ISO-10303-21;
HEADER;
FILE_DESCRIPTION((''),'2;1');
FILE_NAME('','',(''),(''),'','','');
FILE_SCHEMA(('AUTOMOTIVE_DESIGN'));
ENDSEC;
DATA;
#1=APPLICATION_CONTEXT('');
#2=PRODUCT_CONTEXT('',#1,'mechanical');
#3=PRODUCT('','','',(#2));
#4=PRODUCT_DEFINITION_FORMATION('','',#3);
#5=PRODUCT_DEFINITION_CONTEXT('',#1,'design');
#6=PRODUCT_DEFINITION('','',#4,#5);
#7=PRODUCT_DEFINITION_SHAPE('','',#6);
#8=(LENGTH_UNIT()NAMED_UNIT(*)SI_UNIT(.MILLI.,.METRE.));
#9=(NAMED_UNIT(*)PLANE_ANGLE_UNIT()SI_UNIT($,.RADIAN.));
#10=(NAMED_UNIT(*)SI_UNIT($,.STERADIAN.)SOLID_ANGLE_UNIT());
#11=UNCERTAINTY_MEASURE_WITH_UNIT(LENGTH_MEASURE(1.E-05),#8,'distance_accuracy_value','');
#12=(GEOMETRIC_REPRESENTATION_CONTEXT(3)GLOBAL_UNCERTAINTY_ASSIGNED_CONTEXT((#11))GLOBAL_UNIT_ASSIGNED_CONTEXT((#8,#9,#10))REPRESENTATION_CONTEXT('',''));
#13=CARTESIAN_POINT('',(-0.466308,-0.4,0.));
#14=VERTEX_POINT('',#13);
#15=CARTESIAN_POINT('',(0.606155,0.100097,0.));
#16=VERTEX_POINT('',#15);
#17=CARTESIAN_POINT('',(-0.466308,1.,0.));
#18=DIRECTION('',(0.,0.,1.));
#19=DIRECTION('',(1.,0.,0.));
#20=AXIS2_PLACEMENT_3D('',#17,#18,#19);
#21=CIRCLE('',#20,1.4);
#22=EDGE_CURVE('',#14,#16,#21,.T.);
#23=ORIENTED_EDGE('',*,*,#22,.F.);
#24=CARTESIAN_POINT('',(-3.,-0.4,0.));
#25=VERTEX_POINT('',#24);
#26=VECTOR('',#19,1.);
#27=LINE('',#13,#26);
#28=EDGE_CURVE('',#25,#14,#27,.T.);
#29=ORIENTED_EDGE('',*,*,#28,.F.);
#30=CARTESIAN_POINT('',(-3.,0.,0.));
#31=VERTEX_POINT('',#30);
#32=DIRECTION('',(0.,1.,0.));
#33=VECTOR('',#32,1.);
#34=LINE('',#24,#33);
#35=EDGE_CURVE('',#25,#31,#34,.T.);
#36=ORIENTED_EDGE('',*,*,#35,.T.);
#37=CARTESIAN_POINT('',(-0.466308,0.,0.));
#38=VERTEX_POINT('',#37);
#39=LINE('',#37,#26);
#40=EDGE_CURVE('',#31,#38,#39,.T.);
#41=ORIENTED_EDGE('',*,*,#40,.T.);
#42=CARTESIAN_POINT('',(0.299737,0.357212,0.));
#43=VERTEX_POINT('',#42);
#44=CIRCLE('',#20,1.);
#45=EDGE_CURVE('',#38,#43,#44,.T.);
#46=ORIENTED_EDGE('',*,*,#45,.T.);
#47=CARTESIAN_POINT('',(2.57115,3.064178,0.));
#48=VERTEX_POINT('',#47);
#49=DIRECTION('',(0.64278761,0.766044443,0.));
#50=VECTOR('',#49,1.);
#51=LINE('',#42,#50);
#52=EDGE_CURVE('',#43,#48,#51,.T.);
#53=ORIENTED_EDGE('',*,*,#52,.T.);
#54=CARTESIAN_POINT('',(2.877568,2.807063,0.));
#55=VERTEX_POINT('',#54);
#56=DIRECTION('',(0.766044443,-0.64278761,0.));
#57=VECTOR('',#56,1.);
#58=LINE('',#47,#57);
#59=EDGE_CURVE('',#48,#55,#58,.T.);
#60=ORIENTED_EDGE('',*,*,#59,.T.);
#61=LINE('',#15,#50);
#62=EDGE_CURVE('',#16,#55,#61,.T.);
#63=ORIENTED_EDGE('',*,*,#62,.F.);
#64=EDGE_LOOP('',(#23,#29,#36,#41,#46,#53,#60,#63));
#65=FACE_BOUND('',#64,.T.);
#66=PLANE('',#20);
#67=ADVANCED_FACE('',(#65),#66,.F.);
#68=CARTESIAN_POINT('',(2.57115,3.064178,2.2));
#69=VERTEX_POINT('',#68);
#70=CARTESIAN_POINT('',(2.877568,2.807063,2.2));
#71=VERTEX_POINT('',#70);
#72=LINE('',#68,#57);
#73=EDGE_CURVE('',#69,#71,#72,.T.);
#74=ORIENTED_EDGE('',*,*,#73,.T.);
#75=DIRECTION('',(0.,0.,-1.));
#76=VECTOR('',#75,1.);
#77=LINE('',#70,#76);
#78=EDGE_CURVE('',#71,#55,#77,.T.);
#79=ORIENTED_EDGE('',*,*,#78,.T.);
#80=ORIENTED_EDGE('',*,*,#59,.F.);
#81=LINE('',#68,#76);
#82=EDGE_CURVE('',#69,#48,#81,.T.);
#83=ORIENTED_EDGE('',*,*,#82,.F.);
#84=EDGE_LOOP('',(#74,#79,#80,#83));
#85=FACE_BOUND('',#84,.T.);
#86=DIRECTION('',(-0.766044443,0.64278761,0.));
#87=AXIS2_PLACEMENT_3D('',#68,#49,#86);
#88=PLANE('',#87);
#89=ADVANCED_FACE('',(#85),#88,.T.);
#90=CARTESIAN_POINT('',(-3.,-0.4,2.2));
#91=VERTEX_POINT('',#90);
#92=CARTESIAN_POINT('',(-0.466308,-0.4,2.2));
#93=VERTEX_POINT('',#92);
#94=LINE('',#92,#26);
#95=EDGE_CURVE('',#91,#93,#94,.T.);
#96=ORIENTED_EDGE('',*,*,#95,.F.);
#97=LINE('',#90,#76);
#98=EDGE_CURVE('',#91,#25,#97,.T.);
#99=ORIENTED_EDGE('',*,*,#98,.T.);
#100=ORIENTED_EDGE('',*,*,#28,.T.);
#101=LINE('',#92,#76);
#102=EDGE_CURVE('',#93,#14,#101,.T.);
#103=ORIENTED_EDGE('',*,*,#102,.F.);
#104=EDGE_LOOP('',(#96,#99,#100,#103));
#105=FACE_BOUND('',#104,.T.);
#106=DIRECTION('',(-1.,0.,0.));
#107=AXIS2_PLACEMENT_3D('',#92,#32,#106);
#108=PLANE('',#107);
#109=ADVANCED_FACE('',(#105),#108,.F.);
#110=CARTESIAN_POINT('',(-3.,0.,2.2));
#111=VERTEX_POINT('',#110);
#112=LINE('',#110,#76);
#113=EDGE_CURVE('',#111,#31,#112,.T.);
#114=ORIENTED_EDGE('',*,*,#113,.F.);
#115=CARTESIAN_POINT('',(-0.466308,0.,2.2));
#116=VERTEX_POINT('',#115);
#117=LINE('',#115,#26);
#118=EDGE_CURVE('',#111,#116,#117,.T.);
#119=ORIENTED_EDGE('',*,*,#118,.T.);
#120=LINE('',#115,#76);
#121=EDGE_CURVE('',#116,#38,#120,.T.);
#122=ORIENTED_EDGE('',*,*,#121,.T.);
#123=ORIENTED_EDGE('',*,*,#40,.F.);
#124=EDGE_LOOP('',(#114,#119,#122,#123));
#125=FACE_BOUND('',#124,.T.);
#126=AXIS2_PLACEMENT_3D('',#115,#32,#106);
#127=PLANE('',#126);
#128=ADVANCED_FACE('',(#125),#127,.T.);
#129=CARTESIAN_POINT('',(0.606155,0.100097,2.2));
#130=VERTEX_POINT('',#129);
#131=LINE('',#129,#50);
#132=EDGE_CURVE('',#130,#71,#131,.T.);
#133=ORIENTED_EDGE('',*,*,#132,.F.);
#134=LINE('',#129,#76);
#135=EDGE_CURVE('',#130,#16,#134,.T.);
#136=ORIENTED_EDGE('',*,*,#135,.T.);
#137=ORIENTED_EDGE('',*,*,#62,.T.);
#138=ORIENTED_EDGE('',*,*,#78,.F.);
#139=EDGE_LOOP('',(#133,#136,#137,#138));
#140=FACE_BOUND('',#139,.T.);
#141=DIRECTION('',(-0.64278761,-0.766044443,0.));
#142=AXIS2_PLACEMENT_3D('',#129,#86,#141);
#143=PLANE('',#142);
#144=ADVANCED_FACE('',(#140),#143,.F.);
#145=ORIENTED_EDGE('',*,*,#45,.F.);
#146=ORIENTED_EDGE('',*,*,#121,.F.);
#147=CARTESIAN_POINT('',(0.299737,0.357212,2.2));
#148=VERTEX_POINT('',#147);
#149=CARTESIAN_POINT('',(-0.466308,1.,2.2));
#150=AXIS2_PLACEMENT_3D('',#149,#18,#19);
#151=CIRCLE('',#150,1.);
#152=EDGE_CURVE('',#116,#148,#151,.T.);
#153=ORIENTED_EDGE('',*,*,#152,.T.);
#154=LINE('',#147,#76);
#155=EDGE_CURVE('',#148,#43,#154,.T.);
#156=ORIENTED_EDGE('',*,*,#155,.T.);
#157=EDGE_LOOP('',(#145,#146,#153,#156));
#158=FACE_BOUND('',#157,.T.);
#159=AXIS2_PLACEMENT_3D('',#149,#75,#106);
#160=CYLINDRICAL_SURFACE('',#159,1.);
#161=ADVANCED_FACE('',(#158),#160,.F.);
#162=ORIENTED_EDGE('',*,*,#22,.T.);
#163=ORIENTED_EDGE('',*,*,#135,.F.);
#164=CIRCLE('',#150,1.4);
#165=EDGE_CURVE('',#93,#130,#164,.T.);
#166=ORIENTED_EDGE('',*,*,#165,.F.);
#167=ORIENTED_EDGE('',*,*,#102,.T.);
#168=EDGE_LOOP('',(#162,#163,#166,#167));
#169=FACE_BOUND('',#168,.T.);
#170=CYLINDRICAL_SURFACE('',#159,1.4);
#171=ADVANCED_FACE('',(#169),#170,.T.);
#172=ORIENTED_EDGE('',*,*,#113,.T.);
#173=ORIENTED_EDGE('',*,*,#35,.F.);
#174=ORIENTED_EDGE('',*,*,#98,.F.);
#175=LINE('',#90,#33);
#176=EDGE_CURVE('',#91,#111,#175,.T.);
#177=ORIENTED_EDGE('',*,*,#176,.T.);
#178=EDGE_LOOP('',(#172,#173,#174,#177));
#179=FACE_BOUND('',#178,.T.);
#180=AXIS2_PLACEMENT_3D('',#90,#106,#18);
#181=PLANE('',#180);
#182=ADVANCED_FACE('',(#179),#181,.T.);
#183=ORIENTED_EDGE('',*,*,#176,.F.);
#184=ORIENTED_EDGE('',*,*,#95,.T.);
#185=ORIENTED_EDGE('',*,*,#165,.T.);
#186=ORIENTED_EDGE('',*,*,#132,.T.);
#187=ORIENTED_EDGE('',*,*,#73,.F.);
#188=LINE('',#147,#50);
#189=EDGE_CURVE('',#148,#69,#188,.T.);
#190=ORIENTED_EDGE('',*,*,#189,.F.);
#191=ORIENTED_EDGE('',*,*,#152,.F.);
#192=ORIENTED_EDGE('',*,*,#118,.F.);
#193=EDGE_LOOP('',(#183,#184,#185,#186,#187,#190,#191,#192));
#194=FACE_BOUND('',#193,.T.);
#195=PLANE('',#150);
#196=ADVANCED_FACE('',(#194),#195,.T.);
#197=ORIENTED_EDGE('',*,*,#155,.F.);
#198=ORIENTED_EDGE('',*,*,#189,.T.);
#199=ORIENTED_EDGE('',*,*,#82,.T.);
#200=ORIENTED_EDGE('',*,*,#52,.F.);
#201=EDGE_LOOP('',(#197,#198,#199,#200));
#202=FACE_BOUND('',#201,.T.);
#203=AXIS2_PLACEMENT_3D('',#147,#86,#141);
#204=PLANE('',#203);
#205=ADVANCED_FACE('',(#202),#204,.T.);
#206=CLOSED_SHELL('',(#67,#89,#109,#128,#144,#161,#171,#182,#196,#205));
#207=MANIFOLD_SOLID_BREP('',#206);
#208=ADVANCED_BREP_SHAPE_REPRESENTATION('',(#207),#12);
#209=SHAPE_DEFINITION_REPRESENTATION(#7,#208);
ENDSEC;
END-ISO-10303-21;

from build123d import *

# Parameters (mm, degrees)
EXTRU_MINCE1_DEPTH = 2.2


with BuildPart() as part:
    # Esquisse1 → Extru.-Mince1 (new body)
    with BuildSketch(Plane.XY):
        with BuildLine():
            Line((2.571150439, 3.064177772), (0.299736785, 0.35721239))
            ThreePointArc((0.299736785, 0.35721239), (-0.043689396, 0.093692213), (-0.466307658, 0))
            Line((-0.466307658, 0), (-3, 0))
            Line((-3, 0), (-3, -0.4))
            Line((-3, -0.4), (-0.466307658, -0.4))
            ThreePointArc((-0.466307658, -0.4), (0.125357908, -0.268830902), (0.606154562, 0.100097346))
            Line((0.606154562, 0.100097346), (2.877568216, 2.807062729))
            Line((2.877568216, 2.807062729), (2.571150439, 3.064177772))
        make_face()
    extrude(amount=EXTRU_MINCE1_DEPTH)


solid = part.part
